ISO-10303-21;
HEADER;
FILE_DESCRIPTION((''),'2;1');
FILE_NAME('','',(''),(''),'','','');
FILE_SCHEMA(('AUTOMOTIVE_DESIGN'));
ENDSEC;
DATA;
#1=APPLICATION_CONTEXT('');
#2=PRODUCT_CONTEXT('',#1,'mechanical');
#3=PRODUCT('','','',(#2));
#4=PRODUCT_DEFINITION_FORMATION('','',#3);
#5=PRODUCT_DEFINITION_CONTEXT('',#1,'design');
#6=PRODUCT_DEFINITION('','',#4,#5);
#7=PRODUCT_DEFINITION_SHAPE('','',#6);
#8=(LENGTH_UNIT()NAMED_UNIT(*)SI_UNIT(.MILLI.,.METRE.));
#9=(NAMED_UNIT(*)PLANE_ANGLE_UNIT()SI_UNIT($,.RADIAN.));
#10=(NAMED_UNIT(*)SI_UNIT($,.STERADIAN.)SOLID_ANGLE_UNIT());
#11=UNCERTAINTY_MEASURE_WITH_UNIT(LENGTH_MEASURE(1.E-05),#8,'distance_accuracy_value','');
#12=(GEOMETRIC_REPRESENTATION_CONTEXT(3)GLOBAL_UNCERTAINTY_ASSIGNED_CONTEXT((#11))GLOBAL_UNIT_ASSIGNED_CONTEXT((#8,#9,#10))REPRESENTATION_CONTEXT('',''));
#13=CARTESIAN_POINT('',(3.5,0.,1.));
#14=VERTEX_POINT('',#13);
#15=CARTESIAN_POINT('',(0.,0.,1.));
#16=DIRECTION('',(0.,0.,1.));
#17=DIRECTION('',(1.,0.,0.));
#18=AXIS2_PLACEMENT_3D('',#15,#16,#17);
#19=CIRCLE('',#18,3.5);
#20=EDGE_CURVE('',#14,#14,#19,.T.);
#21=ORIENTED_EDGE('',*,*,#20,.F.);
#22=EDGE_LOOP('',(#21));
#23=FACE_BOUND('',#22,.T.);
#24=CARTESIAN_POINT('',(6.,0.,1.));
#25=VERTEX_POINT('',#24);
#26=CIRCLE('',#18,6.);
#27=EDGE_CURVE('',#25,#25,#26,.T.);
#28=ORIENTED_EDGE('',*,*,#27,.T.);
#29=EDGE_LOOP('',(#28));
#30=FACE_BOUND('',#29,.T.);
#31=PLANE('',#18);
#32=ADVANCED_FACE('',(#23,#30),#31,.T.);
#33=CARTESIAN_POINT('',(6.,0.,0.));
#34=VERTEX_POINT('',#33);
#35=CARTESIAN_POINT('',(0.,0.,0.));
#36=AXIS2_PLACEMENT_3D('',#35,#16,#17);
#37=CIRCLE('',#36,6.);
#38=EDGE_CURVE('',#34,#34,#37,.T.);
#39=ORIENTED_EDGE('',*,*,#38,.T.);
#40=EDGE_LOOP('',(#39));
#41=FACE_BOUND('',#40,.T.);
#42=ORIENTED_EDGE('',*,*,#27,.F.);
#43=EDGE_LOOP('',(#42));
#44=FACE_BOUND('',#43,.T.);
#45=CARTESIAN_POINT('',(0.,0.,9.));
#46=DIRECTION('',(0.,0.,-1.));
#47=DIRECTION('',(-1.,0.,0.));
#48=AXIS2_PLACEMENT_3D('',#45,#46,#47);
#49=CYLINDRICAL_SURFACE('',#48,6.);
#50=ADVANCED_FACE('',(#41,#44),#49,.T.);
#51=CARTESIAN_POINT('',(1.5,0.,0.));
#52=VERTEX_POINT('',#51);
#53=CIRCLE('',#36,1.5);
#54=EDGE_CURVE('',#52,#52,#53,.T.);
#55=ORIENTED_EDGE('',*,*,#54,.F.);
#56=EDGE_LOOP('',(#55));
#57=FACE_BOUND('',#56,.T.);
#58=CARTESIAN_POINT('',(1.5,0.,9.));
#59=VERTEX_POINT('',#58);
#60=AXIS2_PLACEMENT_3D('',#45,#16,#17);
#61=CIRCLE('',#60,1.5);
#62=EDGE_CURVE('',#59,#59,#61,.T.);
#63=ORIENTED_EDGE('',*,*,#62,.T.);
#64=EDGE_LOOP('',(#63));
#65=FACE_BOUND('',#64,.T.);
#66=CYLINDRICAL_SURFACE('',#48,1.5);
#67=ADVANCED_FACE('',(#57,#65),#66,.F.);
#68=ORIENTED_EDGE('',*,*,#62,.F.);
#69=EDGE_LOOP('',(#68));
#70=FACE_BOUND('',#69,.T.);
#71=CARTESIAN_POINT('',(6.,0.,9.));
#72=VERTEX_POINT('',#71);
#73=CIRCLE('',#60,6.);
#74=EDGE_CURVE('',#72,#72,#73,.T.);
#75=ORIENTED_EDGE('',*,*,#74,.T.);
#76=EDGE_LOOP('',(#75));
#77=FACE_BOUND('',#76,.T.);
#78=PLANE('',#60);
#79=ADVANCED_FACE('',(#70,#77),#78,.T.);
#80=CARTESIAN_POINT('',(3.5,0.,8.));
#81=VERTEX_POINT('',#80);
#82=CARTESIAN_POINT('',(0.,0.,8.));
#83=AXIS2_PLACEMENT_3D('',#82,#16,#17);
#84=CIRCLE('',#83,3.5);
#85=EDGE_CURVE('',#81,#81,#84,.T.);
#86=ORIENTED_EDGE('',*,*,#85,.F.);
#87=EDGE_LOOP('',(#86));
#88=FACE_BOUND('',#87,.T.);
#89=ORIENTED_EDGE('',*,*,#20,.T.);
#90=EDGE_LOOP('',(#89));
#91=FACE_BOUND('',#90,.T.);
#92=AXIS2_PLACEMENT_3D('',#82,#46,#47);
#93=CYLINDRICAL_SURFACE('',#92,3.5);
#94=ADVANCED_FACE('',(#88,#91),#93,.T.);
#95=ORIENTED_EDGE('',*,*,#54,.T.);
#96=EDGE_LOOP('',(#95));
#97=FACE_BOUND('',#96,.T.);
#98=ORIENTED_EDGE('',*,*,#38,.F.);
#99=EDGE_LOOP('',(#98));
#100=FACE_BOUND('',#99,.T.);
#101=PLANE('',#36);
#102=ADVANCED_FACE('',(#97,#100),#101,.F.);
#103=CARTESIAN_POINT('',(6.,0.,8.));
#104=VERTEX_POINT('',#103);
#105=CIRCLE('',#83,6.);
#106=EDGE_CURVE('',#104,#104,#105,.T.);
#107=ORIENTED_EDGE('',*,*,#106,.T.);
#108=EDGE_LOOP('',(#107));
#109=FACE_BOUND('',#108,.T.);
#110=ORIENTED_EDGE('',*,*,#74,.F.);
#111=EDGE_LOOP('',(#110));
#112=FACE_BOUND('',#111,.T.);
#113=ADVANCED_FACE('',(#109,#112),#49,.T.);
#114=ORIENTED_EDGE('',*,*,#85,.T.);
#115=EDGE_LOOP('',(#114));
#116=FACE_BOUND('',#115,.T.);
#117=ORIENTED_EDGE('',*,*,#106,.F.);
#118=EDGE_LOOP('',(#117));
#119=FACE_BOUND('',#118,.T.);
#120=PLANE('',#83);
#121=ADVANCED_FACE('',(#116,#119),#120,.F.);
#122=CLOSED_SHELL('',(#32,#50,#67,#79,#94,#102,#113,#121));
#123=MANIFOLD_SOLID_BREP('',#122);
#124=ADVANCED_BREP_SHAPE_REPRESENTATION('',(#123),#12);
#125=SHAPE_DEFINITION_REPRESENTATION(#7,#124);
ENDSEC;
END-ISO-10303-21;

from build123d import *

# Parameters (mm, degrees)
SKETCH2_R               = 6
SKETCH2_R_2             = 1.5
BOSS_EXTRUDE1_DEPTH     = 9
CUT_EXTRUDE_THIN1_START = 1
SKETCH2_3_R             = 13.5
SKETCH2_3_R_2           = 3.5
CUT_EXTRUDE_THIN1_DEPTH = 7


with BuildPart() as part:
    # Sketch2 → Boss-Extrude1 (new body)
    with BuildSketch(Plane.XY):
        Circle(SKETCH2_R)
        Circle(SKETCH2_R_2, mode=Mode.SUBTRACT)
    extrude(amount=BOSS_EXTRUDE1_DEPTH)

    # Sketch2<3> → Cut-Extrude-Thin1 (cut)
    with BuildSketch(Plane.XY.offset(CUT_EXTRUDE_THIN1_START)):
        Circle(SKETCH2_3_R)
        Circle(SKETCH2_3_R_2, mode=Mode.SUBTRACT)
    extrude(amount=CUT_EXTRUDE_THIN1_DEPTH, mode=Mode.SUBTRACT)


solid = part.part
